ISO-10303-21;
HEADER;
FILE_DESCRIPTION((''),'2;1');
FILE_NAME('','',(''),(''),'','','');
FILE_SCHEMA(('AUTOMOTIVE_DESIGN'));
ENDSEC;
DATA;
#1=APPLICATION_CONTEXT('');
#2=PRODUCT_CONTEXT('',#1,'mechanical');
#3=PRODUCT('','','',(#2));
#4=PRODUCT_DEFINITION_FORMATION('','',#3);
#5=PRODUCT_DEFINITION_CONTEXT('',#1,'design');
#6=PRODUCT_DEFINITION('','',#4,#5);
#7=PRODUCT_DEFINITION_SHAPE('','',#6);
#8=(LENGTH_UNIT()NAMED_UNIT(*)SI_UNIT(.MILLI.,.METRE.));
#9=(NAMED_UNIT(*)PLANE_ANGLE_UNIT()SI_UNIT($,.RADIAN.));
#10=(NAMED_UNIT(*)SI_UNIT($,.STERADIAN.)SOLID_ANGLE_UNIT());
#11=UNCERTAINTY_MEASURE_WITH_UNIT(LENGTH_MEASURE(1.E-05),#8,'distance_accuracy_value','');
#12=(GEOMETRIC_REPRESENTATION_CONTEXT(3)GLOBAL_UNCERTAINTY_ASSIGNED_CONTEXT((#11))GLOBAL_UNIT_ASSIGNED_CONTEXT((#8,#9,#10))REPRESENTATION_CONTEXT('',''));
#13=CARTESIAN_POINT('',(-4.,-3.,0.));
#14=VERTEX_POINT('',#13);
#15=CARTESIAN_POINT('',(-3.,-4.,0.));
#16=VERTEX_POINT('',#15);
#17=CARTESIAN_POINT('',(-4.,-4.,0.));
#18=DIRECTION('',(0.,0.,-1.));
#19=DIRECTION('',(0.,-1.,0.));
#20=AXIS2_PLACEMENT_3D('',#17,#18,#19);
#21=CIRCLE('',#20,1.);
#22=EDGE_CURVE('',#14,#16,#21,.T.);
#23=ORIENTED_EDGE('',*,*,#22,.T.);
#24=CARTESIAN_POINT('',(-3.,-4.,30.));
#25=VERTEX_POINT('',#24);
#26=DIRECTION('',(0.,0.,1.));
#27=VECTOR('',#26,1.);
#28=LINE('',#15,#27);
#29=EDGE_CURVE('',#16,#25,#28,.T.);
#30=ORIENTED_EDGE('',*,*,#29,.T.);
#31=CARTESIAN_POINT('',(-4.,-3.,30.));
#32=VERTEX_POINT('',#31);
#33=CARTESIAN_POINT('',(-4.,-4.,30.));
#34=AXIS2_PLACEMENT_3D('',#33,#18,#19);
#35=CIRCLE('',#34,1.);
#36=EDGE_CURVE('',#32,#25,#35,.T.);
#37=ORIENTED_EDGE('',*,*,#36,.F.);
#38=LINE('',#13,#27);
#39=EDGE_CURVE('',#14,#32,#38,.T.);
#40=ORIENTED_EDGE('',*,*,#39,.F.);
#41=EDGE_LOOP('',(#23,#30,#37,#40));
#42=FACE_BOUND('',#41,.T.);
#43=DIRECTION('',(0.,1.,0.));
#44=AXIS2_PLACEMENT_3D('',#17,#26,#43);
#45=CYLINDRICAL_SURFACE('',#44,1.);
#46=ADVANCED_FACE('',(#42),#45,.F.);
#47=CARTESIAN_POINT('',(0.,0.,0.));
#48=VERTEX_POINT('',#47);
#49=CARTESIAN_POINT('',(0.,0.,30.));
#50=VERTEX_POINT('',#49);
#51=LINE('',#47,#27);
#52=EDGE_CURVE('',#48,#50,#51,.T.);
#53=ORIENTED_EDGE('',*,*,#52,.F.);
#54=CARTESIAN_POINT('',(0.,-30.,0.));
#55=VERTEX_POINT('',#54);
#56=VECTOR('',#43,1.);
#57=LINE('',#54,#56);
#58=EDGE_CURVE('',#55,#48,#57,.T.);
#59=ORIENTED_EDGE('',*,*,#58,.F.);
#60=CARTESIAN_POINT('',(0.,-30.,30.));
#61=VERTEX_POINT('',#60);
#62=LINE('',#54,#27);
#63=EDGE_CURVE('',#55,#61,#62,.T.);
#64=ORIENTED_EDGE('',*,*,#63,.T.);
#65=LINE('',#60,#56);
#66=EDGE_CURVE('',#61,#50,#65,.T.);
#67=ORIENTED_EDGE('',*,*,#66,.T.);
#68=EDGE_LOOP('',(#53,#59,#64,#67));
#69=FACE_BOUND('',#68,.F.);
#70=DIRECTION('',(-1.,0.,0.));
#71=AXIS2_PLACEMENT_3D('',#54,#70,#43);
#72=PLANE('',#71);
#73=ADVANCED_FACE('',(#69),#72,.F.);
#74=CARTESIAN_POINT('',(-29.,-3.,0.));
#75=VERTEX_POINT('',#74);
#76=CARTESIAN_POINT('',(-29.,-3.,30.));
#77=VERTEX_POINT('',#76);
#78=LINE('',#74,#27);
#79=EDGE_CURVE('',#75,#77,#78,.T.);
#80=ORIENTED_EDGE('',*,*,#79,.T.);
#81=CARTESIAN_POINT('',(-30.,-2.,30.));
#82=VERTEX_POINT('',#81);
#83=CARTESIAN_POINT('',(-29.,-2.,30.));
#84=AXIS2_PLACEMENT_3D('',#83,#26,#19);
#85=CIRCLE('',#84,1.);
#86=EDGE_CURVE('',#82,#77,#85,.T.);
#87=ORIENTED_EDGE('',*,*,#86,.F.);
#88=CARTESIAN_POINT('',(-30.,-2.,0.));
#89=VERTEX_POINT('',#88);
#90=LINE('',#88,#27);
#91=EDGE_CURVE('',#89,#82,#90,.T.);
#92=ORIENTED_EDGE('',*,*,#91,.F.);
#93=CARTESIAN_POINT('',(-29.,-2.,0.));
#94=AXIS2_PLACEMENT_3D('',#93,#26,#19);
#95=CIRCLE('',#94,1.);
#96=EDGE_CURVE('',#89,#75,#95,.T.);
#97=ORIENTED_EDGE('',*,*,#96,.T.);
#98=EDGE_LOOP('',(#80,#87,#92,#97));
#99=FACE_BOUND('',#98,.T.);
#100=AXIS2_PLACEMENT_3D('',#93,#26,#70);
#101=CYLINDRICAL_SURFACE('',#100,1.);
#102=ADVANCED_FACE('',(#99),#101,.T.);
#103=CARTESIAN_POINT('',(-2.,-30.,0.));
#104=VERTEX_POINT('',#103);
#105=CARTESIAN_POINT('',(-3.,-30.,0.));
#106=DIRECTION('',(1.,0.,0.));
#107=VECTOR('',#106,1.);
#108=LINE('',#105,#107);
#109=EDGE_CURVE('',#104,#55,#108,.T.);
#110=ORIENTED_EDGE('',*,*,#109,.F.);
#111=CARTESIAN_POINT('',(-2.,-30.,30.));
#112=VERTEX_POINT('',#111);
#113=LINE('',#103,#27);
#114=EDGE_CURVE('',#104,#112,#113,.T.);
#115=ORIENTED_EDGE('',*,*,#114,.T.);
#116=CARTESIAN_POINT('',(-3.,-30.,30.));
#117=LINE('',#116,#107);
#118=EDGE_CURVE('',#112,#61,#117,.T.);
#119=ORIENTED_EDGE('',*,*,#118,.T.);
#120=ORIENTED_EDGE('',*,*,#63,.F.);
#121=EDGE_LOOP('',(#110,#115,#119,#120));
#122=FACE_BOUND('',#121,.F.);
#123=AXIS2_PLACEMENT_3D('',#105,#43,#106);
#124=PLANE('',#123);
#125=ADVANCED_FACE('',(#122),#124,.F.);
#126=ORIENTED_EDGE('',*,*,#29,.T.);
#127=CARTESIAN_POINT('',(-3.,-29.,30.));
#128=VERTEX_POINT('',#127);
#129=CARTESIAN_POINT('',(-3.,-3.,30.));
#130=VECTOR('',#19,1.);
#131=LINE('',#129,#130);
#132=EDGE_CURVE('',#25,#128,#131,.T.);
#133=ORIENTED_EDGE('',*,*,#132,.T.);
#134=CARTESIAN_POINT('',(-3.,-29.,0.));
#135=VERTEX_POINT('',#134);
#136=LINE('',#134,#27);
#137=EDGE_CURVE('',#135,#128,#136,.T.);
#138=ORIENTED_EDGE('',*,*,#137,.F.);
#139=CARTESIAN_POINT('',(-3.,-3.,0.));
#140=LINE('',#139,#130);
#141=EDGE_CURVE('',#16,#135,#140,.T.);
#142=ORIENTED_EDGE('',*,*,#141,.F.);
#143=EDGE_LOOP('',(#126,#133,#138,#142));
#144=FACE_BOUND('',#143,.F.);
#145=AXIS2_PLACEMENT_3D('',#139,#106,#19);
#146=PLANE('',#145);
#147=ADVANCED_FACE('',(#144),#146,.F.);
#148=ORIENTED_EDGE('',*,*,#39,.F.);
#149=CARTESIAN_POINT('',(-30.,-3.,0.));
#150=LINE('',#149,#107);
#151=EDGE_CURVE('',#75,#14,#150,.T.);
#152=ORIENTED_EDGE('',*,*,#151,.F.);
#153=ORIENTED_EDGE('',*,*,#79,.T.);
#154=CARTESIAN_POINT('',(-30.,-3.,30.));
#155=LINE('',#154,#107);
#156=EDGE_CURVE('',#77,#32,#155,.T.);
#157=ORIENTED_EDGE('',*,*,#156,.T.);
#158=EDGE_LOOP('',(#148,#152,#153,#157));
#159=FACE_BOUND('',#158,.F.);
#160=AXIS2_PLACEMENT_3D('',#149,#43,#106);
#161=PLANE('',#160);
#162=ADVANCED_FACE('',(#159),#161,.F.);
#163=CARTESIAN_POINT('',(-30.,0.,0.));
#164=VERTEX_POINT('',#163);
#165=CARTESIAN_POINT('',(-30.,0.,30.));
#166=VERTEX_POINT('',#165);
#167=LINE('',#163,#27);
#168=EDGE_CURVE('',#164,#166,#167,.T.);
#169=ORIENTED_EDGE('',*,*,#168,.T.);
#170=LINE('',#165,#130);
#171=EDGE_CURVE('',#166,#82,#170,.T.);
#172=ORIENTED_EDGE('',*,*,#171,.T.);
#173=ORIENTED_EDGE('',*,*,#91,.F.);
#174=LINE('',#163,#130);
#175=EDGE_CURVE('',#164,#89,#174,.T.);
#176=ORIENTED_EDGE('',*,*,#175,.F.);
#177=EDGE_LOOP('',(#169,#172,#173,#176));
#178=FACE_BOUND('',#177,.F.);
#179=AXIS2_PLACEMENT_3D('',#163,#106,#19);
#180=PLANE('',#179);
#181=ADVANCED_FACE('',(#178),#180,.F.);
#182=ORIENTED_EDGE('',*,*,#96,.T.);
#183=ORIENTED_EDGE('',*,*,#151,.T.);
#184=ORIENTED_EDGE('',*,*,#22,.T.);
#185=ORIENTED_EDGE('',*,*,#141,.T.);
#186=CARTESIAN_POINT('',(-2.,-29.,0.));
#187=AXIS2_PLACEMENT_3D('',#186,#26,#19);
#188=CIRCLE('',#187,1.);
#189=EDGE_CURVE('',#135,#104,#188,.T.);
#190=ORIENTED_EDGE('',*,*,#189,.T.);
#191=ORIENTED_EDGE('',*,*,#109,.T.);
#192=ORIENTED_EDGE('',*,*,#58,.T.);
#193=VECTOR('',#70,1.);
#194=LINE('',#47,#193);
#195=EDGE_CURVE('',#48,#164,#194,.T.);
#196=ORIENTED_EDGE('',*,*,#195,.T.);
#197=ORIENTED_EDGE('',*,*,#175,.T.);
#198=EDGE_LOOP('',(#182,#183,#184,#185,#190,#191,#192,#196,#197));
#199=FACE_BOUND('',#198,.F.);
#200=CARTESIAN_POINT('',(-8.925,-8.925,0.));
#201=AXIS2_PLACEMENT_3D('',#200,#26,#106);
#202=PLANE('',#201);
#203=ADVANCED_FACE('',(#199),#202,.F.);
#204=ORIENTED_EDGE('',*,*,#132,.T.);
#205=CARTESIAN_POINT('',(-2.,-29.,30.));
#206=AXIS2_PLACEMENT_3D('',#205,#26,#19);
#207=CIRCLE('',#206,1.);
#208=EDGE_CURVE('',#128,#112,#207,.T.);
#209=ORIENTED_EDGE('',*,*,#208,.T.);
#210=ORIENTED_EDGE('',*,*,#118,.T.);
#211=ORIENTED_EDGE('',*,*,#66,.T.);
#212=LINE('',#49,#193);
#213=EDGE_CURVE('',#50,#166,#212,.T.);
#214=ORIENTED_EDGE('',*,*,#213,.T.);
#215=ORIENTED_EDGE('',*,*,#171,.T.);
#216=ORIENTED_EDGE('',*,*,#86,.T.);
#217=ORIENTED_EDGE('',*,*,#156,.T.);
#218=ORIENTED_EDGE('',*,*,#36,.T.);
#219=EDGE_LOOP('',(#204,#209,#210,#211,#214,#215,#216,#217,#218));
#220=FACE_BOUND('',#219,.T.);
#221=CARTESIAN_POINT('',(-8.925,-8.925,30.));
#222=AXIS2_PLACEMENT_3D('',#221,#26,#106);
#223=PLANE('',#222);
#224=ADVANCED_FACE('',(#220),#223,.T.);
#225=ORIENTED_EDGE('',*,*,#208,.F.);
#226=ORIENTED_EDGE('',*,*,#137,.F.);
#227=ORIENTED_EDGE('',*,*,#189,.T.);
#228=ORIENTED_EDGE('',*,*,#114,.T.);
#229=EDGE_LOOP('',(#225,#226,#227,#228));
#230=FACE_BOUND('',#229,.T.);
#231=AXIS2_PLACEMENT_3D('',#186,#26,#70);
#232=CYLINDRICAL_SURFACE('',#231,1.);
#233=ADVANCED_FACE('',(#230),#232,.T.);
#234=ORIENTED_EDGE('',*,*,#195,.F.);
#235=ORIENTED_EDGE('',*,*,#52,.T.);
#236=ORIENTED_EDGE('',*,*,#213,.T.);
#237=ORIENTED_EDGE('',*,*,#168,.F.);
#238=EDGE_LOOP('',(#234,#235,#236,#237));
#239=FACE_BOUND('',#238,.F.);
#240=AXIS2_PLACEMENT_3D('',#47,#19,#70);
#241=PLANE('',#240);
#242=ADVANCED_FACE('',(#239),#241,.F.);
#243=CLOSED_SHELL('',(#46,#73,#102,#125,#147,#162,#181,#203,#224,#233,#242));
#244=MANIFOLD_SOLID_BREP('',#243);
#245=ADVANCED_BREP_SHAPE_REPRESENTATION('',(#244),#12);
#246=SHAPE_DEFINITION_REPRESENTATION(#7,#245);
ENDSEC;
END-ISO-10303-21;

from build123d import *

# Parameters (mm, degrees)
EXTRUDE1_DEPTH = 30
FILLET1_R      = 1


with BuildPart() as part:
    # Sketch1 → Extrude1 (new body)
    with BuildSketch(Plane.XY):
        Polygon((0, 0), (-30, 0), (-30, -3), (-3, -3), (-3, -30), (0, -30), align=None)
    extrude(amount=EXTRUDE1_DEPTH)

    # Fillet1
    fillet1_edges = [part.edges().sort_by_distance(p)[0] for p in [
        (-3, -30, 15),
        (-3, -3, 15),
        (-30, -3, 15),
    ]]
    fillet(fillet1_edges, radius=FILLET1_R)


solid = part.part
